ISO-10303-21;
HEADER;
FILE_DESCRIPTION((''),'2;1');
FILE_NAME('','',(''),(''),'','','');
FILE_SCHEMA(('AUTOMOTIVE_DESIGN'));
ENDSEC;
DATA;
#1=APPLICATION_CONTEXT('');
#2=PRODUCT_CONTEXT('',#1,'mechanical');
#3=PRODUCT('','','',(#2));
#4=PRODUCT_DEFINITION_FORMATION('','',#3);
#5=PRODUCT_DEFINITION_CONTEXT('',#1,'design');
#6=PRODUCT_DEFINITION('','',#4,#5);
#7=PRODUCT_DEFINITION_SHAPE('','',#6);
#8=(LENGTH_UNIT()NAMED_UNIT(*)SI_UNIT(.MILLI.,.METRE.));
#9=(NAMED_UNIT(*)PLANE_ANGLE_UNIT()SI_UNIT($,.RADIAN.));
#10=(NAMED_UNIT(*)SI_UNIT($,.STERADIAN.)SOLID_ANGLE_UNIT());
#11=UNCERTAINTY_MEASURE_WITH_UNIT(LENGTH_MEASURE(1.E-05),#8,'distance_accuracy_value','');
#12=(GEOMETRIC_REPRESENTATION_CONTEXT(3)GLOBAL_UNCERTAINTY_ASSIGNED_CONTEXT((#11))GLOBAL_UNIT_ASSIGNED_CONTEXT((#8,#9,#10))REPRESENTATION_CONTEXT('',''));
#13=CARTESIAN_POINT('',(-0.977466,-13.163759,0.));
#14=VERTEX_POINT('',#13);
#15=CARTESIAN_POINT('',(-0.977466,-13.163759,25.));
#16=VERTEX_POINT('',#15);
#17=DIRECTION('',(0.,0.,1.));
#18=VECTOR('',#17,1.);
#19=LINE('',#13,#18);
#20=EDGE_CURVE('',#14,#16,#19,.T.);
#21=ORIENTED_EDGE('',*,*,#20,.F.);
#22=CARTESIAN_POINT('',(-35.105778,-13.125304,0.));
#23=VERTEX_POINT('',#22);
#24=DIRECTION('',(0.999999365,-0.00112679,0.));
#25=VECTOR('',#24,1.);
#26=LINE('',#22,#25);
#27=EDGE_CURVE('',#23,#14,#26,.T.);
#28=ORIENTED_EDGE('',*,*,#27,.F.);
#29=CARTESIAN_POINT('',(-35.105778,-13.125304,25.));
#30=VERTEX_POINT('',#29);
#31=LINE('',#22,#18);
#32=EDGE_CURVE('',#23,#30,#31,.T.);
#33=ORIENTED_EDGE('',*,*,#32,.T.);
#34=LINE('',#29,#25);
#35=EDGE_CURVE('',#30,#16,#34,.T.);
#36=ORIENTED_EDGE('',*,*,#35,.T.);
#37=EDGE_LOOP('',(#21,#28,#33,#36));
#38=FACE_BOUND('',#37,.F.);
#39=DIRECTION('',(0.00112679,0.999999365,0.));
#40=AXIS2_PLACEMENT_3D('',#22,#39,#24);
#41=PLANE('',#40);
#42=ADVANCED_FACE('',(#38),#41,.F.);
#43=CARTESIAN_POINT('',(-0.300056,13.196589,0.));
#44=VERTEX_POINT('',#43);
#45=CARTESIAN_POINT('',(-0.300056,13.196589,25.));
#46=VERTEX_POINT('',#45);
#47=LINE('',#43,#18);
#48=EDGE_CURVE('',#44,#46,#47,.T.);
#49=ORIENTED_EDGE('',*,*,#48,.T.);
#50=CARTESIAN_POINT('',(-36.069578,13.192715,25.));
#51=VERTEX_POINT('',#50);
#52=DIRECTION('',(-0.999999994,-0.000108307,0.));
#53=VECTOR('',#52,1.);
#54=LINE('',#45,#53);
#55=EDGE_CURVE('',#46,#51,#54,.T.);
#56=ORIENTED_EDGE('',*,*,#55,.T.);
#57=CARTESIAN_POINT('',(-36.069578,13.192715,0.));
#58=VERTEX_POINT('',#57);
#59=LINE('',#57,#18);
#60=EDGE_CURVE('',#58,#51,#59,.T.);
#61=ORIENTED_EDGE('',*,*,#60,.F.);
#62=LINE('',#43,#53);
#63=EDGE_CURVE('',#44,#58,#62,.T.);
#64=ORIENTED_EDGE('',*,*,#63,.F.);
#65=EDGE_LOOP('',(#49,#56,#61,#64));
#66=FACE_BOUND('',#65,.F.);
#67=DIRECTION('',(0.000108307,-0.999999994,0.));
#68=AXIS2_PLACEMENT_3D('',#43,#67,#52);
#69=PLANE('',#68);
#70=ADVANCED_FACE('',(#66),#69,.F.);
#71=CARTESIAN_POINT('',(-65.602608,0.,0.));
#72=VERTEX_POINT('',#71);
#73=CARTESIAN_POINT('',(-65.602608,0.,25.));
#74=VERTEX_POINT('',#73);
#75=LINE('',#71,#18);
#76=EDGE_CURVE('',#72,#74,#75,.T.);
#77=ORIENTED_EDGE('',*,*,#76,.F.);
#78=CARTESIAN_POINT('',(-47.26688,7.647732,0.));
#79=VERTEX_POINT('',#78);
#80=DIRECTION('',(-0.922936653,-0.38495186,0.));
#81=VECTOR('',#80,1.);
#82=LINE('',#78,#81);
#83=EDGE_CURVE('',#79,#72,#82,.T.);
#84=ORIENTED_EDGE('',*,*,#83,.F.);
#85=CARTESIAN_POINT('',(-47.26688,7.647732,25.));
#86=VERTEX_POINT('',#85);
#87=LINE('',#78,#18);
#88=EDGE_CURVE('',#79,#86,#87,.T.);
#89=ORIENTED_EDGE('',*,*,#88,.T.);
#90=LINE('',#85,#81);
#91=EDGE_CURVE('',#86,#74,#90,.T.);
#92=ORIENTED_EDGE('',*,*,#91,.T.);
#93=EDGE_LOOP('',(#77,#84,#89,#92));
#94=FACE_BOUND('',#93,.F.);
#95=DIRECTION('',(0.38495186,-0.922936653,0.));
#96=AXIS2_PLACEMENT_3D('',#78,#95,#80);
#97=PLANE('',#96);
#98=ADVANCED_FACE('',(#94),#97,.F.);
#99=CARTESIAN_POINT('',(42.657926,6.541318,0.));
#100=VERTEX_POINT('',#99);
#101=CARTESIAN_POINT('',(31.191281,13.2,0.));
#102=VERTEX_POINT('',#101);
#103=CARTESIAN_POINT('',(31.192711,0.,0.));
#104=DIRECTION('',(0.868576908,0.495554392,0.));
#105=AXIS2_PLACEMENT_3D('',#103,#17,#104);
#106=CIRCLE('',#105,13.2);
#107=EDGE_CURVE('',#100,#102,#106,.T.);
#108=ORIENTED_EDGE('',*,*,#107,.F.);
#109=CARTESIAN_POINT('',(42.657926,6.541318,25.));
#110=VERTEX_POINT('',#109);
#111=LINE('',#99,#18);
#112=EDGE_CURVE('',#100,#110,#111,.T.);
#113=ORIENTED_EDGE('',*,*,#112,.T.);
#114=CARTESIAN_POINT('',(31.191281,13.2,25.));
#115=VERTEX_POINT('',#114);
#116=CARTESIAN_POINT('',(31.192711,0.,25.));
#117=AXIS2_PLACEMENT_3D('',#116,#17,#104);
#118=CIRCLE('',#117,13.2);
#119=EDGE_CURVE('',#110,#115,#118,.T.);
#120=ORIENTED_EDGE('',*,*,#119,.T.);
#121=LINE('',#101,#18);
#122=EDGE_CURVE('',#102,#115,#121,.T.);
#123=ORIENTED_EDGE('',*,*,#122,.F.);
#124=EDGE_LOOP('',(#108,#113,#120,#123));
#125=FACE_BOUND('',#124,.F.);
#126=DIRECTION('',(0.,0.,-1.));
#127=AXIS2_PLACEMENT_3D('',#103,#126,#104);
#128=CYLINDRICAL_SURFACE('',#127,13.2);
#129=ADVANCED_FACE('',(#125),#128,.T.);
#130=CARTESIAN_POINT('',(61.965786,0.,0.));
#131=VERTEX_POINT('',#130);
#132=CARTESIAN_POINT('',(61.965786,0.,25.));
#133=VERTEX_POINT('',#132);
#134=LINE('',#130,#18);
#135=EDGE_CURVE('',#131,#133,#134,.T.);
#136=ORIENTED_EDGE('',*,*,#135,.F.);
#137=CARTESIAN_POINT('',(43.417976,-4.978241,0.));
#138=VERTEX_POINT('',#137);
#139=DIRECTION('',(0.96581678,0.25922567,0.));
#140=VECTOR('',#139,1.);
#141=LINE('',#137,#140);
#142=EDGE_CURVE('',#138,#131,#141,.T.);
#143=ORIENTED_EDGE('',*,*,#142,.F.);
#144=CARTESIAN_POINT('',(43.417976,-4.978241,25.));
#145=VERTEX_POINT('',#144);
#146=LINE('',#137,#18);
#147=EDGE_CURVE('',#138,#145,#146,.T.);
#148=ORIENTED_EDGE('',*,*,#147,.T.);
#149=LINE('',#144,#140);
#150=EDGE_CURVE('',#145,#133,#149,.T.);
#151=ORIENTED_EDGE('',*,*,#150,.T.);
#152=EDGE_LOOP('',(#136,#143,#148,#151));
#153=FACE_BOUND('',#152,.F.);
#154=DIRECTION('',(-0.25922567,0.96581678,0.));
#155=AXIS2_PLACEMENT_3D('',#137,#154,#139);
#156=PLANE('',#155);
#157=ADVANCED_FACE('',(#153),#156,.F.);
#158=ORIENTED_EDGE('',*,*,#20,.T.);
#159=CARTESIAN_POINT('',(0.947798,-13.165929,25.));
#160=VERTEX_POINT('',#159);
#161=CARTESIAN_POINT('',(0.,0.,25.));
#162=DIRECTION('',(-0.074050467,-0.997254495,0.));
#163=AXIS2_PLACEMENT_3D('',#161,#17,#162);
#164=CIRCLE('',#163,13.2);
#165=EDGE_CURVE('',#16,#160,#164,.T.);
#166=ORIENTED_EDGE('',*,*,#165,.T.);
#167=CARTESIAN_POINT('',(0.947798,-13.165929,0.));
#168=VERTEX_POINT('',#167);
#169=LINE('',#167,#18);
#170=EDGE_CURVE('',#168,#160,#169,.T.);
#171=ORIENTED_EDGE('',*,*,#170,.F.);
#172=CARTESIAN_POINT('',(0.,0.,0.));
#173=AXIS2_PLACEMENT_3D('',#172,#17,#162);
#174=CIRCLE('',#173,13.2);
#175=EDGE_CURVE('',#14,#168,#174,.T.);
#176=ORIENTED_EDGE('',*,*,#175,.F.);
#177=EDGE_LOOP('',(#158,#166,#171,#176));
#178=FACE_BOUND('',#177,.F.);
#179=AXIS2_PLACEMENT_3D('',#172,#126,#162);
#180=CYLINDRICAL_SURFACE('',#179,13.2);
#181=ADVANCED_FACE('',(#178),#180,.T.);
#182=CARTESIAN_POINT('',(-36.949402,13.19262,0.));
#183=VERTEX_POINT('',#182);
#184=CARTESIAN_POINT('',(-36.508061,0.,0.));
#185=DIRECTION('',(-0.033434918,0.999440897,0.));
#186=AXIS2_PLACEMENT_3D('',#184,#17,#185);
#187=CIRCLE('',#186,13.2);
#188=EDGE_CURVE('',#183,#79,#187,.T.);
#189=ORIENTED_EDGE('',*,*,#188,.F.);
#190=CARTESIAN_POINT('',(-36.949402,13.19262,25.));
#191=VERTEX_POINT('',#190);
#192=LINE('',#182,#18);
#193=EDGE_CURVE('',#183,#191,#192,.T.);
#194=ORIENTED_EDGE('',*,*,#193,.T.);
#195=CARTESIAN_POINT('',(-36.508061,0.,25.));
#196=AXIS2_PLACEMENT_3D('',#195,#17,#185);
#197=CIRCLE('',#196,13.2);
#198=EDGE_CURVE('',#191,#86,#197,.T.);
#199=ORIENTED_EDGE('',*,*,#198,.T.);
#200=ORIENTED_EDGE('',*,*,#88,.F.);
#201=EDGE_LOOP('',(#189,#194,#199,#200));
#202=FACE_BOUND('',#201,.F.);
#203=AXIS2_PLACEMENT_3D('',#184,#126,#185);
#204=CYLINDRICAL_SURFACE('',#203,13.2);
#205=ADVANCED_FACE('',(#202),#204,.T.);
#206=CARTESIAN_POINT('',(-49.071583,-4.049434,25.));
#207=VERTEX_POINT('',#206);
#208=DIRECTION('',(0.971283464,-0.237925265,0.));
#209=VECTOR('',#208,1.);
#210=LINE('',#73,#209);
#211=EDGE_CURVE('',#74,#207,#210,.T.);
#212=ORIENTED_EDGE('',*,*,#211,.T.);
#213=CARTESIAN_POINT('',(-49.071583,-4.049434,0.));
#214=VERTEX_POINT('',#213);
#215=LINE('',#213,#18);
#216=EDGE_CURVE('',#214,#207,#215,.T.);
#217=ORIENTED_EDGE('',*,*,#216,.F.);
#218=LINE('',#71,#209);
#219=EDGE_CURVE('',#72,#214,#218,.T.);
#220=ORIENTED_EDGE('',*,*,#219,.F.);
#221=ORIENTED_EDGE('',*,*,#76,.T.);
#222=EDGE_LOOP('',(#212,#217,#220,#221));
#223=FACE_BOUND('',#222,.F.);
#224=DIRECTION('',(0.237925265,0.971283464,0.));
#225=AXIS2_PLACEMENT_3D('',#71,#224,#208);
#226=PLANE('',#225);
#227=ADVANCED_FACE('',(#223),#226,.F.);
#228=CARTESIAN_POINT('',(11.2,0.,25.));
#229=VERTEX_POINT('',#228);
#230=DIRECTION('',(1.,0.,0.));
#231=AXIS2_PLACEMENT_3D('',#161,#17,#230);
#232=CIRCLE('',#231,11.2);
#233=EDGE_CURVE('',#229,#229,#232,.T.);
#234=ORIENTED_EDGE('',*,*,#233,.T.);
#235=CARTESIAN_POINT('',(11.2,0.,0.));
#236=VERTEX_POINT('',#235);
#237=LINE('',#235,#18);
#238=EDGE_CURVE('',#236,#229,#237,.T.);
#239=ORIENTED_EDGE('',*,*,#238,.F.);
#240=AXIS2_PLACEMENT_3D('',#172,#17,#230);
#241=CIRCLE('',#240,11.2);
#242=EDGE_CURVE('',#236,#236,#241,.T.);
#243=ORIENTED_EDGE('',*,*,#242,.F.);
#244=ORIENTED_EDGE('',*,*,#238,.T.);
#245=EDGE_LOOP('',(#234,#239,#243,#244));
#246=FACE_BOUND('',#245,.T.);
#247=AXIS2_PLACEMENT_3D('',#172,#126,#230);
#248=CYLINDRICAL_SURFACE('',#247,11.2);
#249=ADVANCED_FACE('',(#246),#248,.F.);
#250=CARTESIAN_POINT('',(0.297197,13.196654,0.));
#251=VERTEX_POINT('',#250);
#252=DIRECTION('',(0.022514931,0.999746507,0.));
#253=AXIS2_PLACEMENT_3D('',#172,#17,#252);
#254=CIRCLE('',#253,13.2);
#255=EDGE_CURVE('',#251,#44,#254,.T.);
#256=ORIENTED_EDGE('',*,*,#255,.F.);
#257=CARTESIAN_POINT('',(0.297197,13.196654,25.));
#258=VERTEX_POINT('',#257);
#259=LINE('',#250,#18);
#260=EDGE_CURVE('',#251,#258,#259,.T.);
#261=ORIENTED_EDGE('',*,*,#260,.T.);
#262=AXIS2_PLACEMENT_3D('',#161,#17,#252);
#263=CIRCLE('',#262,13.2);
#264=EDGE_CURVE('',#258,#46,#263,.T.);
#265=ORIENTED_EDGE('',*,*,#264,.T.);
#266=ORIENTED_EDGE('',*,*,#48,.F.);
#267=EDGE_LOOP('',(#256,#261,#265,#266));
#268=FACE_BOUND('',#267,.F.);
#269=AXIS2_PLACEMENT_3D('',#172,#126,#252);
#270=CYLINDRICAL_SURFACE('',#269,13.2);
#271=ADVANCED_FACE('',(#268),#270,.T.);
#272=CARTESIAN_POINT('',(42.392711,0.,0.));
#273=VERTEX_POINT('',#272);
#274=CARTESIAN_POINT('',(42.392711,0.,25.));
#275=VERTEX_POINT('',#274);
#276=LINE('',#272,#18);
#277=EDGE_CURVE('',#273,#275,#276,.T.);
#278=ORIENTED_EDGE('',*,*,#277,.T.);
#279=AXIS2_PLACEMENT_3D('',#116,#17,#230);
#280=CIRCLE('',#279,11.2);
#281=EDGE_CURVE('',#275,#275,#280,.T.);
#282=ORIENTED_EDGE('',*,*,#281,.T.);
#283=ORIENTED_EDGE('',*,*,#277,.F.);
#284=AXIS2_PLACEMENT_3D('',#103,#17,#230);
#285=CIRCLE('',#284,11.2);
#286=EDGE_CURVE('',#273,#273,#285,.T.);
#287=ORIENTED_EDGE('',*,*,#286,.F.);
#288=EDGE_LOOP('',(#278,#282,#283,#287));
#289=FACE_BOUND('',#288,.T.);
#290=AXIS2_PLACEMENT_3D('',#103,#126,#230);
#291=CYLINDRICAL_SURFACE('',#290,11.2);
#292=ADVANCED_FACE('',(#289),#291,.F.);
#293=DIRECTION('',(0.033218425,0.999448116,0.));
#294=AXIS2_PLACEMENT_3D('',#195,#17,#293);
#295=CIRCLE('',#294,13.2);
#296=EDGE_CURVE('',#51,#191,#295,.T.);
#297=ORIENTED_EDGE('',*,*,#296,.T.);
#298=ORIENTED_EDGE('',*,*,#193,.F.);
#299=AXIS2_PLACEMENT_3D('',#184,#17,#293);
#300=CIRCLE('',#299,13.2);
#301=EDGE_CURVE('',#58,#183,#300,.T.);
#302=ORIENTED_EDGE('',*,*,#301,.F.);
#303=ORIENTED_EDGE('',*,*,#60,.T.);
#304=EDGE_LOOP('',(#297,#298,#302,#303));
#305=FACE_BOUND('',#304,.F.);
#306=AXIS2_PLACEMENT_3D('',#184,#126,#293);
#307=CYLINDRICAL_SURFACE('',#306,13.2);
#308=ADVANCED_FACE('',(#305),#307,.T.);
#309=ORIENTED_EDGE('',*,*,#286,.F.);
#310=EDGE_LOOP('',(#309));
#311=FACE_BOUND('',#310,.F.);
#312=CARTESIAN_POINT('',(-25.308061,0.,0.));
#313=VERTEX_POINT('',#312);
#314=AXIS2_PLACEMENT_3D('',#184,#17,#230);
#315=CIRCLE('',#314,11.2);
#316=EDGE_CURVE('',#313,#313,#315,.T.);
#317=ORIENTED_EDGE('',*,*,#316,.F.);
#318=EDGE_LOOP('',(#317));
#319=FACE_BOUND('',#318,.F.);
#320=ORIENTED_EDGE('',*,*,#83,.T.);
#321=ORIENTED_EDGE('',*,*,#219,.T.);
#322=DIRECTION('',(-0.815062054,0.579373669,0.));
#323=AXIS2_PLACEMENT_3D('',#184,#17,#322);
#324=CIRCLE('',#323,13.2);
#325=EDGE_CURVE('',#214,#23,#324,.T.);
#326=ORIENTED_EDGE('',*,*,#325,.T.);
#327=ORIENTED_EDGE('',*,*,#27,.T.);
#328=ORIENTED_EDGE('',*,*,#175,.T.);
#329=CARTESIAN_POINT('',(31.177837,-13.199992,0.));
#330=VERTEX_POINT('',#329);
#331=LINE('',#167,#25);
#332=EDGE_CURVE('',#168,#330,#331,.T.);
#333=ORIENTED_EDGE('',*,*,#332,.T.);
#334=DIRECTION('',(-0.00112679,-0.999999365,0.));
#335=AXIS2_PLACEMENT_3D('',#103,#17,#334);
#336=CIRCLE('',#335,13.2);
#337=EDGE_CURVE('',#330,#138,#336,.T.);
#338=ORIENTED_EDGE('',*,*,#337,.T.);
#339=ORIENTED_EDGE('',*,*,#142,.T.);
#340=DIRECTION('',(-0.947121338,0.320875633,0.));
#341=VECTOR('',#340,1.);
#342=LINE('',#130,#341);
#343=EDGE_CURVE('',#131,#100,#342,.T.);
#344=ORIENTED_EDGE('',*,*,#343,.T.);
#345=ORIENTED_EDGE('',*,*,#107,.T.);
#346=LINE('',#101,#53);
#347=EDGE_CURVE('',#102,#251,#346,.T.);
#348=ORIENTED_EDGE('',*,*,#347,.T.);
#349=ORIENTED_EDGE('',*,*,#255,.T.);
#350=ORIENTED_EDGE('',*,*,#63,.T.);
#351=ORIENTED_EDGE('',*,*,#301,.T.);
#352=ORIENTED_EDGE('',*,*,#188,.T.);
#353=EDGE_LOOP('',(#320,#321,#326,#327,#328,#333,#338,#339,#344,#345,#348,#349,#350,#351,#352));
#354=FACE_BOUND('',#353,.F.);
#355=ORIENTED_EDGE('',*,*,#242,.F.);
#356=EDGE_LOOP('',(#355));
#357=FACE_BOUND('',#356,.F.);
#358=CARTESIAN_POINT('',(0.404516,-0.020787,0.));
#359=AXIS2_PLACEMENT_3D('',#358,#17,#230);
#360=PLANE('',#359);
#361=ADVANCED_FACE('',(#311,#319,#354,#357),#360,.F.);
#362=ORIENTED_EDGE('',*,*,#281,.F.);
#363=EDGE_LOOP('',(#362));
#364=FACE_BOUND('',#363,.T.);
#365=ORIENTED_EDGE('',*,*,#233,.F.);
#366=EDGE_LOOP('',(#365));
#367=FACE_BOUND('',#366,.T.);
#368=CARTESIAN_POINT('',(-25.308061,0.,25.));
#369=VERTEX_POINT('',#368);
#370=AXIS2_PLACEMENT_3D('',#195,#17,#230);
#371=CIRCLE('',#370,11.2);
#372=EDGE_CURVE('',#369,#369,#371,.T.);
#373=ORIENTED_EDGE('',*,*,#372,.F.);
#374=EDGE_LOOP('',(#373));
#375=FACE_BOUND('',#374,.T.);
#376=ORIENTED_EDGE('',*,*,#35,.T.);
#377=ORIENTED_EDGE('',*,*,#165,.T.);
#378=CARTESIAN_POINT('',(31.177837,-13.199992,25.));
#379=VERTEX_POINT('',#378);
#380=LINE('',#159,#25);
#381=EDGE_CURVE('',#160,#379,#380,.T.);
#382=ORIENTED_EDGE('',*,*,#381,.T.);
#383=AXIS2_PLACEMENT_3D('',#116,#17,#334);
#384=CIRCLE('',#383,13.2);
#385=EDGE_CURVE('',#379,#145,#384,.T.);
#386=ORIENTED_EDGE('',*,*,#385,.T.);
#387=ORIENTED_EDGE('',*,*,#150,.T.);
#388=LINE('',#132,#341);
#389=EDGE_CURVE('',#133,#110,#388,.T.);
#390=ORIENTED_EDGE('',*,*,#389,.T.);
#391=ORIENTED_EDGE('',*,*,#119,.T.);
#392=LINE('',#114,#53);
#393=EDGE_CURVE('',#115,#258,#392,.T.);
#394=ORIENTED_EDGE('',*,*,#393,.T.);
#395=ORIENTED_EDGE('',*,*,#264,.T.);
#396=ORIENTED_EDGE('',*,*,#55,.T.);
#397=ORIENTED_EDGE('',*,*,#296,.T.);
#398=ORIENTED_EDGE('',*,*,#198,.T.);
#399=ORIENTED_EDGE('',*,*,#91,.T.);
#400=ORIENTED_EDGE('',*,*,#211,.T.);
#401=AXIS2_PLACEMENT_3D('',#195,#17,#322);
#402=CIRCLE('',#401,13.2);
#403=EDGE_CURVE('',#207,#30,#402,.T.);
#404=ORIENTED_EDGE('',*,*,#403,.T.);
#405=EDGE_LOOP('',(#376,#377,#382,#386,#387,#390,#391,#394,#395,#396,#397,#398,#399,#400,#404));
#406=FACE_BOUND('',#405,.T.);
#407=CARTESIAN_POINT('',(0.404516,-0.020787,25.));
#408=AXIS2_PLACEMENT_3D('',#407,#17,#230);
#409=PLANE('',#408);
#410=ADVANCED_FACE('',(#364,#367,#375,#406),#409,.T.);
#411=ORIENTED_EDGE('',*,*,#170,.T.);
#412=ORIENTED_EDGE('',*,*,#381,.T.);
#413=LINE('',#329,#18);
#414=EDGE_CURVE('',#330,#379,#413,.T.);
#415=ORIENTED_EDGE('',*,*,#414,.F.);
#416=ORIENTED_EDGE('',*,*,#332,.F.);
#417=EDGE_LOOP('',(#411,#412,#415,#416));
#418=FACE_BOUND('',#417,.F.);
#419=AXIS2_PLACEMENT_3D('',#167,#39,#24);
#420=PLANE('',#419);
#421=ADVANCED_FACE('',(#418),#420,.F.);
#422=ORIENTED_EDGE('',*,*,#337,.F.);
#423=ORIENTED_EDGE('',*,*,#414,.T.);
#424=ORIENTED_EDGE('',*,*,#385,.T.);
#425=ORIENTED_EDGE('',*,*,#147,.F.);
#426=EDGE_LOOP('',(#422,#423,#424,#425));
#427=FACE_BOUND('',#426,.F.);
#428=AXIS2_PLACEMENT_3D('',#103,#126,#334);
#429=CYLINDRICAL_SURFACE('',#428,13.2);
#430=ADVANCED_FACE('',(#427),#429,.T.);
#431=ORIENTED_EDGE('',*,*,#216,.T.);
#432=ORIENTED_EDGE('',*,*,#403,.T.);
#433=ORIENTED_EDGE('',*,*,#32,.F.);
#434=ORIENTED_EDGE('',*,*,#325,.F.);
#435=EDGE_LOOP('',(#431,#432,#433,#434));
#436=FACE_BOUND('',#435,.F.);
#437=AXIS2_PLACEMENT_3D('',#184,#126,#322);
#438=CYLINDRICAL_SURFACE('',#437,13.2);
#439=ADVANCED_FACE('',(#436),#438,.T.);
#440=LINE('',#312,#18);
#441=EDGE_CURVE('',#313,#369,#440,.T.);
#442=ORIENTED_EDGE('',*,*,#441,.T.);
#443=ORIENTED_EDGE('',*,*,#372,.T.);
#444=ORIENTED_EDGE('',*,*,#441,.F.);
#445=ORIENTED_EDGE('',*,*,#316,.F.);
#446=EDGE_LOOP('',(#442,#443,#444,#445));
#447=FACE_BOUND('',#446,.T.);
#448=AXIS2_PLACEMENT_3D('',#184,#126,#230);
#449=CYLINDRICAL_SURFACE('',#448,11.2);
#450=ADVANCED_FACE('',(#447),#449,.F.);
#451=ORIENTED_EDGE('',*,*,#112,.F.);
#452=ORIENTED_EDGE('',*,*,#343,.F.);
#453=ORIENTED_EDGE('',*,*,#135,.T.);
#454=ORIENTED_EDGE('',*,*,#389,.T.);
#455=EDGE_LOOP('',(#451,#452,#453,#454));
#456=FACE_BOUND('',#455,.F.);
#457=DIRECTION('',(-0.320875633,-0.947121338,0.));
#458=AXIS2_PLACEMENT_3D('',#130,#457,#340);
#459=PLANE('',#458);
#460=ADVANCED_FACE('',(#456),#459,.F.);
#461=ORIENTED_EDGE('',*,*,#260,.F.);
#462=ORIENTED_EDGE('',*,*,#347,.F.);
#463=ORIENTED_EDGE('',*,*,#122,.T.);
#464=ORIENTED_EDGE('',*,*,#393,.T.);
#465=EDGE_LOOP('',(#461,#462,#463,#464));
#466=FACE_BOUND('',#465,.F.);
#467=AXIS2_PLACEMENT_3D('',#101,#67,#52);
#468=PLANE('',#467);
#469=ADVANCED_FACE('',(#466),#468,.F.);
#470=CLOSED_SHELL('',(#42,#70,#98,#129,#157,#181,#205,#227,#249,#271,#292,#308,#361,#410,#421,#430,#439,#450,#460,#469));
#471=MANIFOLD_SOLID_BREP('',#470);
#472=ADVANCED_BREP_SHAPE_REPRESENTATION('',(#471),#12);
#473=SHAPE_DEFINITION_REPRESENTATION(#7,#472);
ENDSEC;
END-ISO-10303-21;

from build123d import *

# Parameters (mm, degrees)
F0_R     = 11.2
F1_DEPTH = 25


with BuildPart() as f1:
    # F0 (on Top) → F1 (new body)
    with BuildSketch(Plane.XY):
        with BuildLine():
            ThreePointArc((0.9477981241, -13.1659287069), (9.6630982412, -8.9924708718), (13.2, 0))
            ThreePointArc((13.2, 0), (9.438299675, 9.2281362823), (0.2971970842, 13.19665389))
            Line((0.2971970842, 13.19665389), (-0.3000556461, 13.1965892036))
            ThreePointArc((-0.3000556461, 13.1965892036), (-13.1956435727, 0.3391027885), (-0.9774661602, -13.1637593379))
            Line((-0.9774661602, -13.1637593379), (0.9477981241, -13.1659287069))
        make_face()
        Circle(F0_R, mode=Mode.SUBTRACT)
        with BuildLine():
            ThreePointArc((0.2971970842, 13.19665389), (9.438299675, 9.2281362823), (13.2, 0))
            ThreePointArc((13.2, 0), (9.6630982412, -8.9924708718), (0.9477981241, -13.1659287069))
            Line((0.9477981241, -13.1659287069), (31.1778370012, -13.1999916203))
            ThreePointArc((31.1778370012, -13.1999916203), (38.5529222641, -10.9575218275), (43.4179762546, -4.9782406771))
            ThreePointArc((43.4179762546, -4.9782406771), (44.3640726701, 0.8690349983), (42.6579258061, 6.5413179718))
            ThreePointArc((42.6579258061, 6.5413179718), (37.8213685594, 11.4149416978), (31.1912809763, 13.1999999226))
            Line((31.1912809763, 13.1999999226), (0.2971970842, 13.19665389))
        make_face()
        with Locations((31.1927106231, 0)):
            Circle(F0_R, mode=Mode.SUBTRACT)
        with BuildLine():
            Line((-0.3000556461, 13.1965892036), (0.2971970842, 13.19665389))
            ThreePointArc((0.2971970842, 13.19665389), (-0.0014296468, 13.1999999226), (-0.3000556461, 13.1965892036))
        make_face()
        with BuildLine():
            ThreePointArc((-0.9774661602, -13.1637593379), (-0.014873622, -13.1999916203), (0.9477981241, -13.1659287069))
            Line((0.9477981241, -13.1659287069), (-0.9774661602, -13.1637593379))
        make_face()
        with BuildLine():
            ThreePointArc((-0.9774661602, -13.1637593379), (-13.1956435727, 0.3391027885), (-0.3000556461, 13.1965892036))
            Line((-0.3000556461, 13.1965892036), (-36.0695777831, 13.192715129))
            Line((-36.0695777831, 13.192715129), (-36.9494019058, 13.1926198383))
            ThreePointArc((-36.9494019058, 13.1926198383), (-42.7568480948, 11.627237838), (-47.2668801052, 7.6477324276))
            ThreePointArc((-47.2668801052, 7.6477324276), (-49.5537048838, 2.0127531993), (-49.0715828762, -4.0494342641))
            ThreePointArc((-49.0715828762, -4.0494342641), (-43.7008466332, -11.0681450441), (-35.1057779137, -13.1253038886))
            Line((-35.1057779137, -13.1253038886), (-0.9774661602, -13.1637593379))
        make_face()
        with Locations((-36.5080609918, 0)):
            Circle(F0_R, mode=Mode.SUBTRACT)
        with BuildLine():
            Line((-36.9494019058, 13.1926198383), (-36.0695777831, 13.192715129))
            ThreePointArc((-36.0695777831, 13.192715129), (-36.5094906386, 13.1999999226), (-36.9494019058, 13.1926198383))
        make_face()
        with BuildLine():
            Line((61.9657859206, 0), (42.6579258061, 6.5413179718))
            ThreePointArc((42.6579258061, 6.5413179718), (44.3640726701, 0.8690349983), (43.4179762546, -4.9782406771))
            Line((43.4179762546, -4.9782406771), (61.9657859206, 0))
        make_face()
        with BuildLine():
            Line((-65.6026080251, 0), (-49.0715828762, -4.0494342641))
            ThreePointArc((-49.0715828762, -4.0494342641), (-49.5537048838, 2.0127531993), (-47.2668801052, 7.6477324276))
            Line((-47.2668801052, 7.6477324276), (-65.6026080251, 0))
        make_face()
    extrude(amount=F1_DEPTH)


solid = f1.part
